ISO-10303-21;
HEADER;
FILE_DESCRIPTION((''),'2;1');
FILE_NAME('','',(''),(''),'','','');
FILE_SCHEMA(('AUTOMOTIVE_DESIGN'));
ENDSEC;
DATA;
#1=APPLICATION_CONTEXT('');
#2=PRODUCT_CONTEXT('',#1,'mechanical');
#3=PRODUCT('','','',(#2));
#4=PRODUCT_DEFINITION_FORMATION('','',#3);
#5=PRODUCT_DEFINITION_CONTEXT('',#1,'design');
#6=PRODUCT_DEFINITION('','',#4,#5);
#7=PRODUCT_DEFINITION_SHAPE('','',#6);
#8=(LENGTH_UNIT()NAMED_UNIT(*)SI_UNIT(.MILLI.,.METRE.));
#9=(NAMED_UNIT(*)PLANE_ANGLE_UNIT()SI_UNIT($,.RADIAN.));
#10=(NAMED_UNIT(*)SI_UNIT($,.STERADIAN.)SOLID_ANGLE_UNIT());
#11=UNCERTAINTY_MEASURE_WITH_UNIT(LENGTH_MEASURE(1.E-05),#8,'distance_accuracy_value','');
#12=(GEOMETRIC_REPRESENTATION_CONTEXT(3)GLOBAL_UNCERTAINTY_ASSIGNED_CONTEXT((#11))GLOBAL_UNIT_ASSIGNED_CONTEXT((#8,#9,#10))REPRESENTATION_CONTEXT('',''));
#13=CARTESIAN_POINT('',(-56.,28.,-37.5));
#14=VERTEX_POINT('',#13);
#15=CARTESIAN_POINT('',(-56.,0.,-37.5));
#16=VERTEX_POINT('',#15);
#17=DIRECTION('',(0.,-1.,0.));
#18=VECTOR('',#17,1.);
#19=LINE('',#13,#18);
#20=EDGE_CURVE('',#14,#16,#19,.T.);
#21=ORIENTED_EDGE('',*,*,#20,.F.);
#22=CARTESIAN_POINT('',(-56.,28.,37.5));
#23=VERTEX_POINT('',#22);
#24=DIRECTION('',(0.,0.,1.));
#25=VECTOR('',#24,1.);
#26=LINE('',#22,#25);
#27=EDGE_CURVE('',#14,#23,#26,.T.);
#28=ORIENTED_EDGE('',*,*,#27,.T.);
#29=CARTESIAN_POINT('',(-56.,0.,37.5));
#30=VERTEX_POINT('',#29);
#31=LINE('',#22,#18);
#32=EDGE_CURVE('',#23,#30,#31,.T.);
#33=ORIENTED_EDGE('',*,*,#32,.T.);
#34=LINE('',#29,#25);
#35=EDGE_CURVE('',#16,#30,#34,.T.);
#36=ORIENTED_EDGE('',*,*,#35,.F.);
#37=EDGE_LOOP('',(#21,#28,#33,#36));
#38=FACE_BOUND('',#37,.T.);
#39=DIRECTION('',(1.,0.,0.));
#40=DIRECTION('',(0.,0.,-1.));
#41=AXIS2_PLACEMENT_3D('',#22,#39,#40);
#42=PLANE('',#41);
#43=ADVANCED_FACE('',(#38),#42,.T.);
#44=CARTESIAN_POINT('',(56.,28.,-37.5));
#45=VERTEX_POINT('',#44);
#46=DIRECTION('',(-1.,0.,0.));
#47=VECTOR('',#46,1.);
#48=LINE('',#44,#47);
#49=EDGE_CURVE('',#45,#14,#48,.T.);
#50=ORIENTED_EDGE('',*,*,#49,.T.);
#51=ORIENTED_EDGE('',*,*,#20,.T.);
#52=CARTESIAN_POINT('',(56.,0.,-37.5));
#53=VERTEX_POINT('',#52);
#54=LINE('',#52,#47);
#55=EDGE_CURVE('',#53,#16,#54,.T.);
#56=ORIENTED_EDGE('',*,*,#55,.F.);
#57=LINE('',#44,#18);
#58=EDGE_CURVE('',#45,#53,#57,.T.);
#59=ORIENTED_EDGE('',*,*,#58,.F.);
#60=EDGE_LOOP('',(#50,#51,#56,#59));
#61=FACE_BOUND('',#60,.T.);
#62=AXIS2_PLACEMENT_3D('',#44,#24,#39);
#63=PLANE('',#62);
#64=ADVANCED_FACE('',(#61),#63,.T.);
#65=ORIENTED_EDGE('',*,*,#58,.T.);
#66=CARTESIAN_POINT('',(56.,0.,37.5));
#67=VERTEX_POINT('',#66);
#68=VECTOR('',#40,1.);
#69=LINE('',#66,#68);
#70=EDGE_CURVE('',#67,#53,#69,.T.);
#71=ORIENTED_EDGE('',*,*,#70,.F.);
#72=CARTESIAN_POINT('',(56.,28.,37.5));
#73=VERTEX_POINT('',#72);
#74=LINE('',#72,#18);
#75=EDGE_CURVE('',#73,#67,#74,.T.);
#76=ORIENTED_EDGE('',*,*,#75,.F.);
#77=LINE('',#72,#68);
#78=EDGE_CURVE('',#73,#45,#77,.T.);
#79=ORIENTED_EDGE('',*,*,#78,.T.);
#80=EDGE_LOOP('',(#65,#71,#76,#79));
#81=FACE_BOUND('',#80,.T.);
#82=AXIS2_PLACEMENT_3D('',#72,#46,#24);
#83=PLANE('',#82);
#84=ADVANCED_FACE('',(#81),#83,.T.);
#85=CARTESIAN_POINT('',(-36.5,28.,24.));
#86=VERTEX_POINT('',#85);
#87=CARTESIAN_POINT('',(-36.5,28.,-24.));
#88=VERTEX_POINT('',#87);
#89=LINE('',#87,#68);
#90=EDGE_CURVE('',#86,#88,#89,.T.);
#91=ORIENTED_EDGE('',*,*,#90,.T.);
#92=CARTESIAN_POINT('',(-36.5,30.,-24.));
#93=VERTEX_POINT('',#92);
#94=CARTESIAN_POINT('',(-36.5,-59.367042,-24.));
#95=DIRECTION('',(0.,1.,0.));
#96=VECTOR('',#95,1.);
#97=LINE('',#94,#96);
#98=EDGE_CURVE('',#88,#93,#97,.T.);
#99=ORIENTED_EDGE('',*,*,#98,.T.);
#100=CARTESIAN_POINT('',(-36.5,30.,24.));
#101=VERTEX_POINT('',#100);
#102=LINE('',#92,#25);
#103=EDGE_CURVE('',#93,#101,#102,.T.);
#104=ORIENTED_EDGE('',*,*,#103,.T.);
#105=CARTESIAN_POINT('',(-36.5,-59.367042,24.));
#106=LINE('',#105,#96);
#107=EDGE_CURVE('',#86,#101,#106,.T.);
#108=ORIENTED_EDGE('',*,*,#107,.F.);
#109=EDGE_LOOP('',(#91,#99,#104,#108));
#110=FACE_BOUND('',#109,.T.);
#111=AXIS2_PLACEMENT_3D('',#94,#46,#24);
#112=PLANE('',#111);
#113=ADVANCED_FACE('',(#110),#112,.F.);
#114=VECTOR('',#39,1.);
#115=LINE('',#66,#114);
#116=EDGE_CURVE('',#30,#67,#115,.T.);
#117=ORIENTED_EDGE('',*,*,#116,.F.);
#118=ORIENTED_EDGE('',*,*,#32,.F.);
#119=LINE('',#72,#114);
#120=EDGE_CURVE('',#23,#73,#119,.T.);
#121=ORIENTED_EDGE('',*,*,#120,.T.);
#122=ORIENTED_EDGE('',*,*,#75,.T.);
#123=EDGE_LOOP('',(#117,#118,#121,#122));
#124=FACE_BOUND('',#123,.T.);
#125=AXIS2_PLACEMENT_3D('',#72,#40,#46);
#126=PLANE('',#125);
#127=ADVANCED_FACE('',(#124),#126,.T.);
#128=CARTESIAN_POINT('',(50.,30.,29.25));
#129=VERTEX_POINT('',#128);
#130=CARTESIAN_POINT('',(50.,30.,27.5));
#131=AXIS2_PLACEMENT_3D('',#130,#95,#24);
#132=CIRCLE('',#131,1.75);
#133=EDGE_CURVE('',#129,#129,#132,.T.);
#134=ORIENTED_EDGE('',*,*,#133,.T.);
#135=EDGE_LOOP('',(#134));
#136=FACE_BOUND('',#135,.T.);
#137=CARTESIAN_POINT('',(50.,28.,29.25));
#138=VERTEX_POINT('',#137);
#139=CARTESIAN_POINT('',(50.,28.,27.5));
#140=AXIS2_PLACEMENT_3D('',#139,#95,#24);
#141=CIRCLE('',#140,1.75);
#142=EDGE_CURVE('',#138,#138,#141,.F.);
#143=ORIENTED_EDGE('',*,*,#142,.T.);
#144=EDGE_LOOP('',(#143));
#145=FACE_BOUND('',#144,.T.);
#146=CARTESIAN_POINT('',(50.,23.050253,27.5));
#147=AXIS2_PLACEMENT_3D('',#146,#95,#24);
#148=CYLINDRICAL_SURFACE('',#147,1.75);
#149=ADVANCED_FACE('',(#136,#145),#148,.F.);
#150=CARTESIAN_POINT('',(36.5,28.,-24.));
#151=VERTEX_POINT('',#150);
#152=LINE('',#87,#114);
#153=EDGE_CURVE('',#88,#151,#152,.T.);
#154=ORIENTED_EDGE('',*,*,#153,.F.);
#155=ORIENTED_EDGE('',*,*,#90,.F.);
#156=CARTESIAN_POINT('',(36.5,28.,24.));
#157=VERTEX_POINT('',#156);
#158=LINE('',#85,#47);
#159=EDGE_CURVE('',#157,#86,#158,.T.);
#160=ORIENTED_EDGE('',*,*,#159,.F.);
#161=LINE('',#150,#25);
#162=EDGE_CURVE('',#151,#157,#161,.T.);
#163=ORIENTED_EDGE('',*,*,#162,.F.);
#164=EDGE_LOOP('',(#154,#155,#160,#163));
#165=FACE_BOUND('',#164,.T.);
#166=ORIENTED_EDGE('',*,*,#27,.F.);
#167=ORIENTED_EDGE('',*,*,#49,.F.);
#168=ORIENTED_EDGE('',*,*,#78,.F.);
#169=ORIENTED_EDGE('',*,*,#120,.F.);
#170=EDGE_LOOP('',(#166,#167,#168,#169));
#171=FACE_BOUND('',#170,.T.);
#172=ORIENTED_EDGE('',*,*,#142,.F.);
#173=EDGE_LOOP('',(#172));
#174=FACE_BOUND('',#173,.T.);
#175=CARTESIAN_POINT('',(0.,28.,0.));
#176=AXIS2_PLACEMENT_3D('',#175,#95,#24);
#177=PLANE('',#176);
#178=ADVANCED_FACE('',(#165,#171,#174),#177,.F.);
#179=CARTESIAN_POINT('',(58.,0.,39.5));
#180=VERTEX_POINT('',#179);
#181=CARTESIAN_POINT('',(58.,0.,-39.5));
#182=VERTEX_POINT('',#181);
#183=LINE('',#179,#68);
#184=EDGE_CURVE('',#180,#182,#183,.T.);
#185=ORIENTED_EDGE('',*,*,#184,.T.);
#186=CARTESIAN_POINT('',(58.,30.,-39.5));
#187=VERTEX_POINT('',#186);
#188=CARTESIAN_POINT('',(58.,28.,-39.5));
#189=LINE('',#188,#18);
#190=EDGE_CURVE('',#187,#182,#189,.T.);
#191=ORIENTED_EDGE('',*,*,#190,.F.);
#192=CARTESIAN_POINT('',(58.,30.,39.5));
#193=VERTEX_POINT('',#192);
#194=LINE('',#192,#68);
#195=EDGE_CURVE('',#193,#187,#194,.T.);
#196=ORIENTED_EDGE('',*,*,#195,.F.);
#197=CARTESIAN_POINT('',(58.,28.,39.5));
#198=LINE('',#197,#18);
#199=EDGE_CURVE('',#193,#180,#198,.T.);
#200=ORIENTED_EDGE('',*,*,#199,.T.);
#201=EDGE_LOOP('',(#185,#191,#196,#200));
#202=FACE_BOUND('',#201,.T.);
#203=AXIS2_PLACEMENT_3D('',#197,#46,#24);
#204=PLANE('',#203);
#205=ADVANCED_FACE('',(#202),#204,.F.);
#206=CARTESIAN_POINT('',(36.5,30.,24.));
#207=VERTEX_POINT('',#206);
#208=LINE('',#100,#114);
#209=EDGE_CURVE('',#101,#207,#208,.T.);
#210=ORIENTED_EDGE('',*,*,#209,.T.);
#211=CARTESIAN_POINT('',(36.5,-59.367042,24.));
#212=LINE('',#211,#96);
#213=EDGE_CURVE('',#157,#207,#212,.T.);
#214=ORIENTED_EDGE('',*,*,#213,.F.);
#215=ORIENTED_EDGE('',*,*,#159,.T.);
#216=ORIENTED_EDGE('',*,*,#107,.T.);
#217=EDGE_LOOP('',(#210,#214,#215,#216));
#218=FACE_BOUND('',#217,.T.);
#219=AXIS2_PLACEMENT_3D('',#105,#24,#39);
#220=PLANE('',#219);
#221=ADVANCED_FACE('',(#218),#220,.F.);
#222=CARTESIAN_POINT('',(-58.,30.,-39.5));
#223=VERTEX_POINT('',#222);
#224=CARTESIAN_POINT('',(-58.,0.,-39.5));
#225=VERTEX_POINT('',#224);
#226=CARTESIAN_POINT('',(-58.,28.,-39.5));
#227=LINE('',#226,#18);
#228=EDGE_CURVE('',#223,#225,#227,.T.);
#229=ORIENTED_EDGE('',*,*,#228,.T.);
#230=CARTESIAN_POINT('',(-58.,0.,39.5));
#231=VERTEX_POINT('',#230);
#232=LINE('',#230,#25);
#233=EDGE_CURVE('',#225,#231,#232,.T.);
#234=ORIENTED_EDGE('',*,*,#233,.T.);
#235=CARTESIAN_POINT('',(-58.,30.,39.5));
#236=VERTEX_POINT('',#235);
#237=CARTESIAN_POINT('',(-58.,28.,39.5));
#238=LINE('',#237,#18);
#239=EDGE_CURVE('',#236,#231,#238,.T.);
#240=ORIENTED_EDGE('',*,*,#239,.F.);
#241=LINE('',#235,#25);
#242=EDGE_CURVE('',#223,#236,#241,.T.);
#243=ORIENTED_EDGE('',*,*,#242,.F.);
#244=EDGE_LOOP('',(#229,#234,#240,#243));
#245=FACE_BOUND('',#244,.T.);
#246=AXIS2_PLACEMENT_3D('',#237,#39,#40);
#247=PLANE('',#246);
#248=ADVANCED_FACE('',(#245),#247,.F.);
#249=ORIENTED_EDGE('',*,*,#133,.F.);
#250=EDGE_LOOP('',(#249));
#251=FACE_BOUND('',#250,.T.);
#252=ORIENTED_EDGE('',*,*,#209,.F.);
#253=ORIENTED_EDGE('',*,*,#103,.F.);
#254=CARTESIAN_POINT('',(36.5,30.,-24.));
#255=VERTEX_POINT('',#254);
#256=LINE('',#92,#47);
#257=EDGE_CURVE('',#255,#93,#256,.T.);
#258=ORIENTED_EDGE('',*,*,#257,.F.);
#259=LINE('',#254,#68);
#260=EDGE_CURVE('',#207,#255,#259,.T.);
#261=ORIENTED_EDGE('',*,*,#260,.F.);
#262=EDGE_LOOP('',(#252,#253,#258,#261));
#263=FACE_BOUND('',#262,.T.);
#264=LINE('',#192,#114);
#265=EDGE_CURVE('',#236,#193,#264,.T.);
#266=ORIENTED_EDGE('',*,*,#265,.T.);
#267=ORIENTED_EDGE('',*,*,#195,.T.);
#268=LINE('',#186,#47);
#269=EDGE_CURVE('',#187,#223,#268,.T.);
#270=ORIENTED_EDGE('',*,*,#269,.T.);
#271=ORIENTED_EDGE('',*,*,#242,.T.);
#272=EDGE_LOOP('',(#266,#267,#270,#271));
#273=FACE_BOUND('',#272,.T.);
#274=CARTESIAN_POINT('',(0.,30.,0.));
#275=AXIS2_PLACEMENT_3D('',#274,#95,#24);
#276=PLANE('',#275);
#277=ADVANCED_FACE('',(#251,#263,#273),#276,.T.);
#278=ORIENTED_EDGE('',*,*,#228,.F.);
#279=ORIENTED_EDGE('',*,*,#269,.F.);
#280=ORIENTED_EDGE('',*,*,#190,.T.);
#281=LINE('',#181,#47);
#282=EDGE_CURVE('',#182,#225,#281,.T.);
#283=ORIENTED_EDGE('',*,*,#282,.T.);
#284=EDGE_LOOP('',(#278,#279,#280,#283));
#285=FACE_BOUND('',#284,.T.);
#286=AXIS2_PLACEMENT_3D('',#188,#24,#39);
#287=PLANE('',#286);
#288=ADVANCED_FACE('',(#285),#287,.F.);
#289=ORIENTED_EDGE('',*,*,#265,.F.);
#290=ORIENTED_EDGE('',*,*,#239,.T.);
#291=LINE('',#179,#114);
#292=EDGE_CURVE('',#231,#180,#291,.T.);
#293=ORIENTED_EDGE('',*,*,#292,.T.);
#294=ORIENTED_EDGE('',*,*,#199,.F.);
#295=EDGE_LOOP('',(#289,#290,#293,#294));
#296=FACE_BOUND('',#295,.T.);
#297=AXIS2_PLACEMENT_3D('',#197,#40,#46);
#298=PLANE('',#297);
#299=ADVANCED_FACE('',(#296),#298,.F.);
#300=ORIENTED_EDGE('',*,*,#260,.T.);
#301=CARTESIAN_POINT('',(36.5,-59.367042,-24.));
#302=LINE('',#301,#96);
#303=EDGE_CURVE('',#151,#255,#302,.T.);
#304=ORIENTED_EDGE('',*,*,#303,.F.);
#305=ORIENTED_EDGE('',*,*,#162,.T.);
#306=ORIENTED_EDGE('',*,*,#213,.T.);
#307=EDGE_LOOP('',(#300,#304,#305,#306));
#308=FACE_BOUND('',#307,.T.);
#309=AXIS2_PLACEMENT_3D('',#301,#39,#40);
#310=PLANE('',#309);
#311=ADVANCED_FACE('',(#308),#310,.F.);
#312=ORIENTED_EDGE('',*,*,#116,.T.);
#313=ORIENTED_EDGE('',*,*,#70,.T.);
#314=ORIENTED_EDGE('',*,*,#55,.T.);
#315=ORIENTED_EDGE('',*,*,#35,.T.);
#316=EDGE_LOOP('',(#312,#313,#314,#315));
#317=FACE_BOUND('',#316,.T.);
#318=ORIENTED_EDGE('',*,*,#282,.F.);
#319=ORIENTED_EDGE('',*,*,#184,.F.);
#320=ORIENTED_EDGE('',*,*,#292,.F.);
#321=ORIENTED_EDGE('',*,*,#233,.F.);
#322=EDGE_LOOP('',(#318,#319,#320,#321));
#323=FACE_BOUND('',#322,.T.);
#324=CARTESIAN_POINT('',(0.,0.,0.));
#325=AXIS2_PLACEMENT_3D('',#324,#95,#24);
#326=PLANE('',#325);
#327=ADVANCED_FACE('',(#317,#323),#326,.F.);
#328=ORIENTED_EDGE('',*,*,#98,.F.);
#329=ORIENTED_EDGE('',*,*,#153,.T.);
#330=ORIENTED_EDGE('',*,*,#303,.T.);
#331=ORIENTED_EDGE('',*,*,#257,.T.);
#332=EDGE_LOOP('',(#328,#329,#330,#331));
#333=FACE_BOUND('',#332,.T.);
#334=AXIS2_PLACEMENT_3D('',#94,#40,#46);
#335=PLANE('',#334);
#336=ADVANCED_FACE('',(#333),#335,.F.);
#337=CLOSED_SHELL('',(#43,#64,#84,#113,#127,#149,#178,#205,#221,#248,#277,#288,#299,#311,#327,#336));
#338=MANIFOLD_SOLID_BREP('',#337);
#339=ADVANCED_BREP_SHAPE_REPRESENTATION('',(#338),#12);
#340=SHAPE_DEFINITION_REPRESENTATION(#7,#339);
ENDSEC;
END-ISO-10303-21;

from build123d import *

# Parameters (mm, degrees)
SKETCH1_W           = 116
SKETCH1_H           = 79
SKETCH1_W_2         = 112
SKETCH1_H_2         = 75
BOSS_EXTRUDE1_DEPTH = 28
SKETCH2_W           = 116
SKETCH2_H           = 79
BOSS_EXTRUDE2_DEPTH = 2
SKETCH3_W           = 73
SKETCH3_H           = 48
CUT_EXTRUDE1_DEPTH  = 2
SKETCH4_R           = 1.75
CUT_EXTRUDE2_DEPTH  = 2


with BuildPart() as part:
    # Sketch1 → Boss-Extrude1 (new body)
    with BuildSketch(Plane(origin=(0, 0, 0), x_dir=(1, 0, 0), z_dir=(0, 1, 0))):
        Rectangle(SKETCH1_W, SKETCH1_H)
        Rectangle(SKETCH1_W_2, SKETCH1_H_2, mode=Mode.SUBTRACT)
    extrude(amount=BOSS_EXTRUDE1_DEPTH)

    # Sketch2 → Boss-Extrude2 (add)
    with BuildSketch(Plane(origin=(0, 28, 0), x_dir=(1, 0, 0), z_dir=(0, 1, 0))):
        Rectangle(SKETCH2_W, SKETCH2_H)
    extrude(amount=BOSS_EXTRUDE2_DEPTH)

    # Sketch3 → Cut-Extrude1 (cut)
    with BuildSketch(Plane(origin=(0, 30, 0), x_dir=(1, 0, 0), z_dir=(0, 1, 0))):
        Rectangle(SKETCH3_W, SKETCH3_H)
    extrude(amount=-CUT_EXTRUDE1_DEPTH, mode=Mode.SUBTRACT)

    # Sketch4 → Cut-Extrude2 (cut)
    with BuildSketch(Plane(origin=(0, 30, 0), x_dir=(1, 0, 0), z_dir=(0, 1, 0))):
        with Locations((50, -27.5)):
            Circle(SKETCH4_R)
    extrude(amount=-CUT_EXTRUDE2_DEPTH, mode=Mode.SUBTRACT)


solid = part.part
